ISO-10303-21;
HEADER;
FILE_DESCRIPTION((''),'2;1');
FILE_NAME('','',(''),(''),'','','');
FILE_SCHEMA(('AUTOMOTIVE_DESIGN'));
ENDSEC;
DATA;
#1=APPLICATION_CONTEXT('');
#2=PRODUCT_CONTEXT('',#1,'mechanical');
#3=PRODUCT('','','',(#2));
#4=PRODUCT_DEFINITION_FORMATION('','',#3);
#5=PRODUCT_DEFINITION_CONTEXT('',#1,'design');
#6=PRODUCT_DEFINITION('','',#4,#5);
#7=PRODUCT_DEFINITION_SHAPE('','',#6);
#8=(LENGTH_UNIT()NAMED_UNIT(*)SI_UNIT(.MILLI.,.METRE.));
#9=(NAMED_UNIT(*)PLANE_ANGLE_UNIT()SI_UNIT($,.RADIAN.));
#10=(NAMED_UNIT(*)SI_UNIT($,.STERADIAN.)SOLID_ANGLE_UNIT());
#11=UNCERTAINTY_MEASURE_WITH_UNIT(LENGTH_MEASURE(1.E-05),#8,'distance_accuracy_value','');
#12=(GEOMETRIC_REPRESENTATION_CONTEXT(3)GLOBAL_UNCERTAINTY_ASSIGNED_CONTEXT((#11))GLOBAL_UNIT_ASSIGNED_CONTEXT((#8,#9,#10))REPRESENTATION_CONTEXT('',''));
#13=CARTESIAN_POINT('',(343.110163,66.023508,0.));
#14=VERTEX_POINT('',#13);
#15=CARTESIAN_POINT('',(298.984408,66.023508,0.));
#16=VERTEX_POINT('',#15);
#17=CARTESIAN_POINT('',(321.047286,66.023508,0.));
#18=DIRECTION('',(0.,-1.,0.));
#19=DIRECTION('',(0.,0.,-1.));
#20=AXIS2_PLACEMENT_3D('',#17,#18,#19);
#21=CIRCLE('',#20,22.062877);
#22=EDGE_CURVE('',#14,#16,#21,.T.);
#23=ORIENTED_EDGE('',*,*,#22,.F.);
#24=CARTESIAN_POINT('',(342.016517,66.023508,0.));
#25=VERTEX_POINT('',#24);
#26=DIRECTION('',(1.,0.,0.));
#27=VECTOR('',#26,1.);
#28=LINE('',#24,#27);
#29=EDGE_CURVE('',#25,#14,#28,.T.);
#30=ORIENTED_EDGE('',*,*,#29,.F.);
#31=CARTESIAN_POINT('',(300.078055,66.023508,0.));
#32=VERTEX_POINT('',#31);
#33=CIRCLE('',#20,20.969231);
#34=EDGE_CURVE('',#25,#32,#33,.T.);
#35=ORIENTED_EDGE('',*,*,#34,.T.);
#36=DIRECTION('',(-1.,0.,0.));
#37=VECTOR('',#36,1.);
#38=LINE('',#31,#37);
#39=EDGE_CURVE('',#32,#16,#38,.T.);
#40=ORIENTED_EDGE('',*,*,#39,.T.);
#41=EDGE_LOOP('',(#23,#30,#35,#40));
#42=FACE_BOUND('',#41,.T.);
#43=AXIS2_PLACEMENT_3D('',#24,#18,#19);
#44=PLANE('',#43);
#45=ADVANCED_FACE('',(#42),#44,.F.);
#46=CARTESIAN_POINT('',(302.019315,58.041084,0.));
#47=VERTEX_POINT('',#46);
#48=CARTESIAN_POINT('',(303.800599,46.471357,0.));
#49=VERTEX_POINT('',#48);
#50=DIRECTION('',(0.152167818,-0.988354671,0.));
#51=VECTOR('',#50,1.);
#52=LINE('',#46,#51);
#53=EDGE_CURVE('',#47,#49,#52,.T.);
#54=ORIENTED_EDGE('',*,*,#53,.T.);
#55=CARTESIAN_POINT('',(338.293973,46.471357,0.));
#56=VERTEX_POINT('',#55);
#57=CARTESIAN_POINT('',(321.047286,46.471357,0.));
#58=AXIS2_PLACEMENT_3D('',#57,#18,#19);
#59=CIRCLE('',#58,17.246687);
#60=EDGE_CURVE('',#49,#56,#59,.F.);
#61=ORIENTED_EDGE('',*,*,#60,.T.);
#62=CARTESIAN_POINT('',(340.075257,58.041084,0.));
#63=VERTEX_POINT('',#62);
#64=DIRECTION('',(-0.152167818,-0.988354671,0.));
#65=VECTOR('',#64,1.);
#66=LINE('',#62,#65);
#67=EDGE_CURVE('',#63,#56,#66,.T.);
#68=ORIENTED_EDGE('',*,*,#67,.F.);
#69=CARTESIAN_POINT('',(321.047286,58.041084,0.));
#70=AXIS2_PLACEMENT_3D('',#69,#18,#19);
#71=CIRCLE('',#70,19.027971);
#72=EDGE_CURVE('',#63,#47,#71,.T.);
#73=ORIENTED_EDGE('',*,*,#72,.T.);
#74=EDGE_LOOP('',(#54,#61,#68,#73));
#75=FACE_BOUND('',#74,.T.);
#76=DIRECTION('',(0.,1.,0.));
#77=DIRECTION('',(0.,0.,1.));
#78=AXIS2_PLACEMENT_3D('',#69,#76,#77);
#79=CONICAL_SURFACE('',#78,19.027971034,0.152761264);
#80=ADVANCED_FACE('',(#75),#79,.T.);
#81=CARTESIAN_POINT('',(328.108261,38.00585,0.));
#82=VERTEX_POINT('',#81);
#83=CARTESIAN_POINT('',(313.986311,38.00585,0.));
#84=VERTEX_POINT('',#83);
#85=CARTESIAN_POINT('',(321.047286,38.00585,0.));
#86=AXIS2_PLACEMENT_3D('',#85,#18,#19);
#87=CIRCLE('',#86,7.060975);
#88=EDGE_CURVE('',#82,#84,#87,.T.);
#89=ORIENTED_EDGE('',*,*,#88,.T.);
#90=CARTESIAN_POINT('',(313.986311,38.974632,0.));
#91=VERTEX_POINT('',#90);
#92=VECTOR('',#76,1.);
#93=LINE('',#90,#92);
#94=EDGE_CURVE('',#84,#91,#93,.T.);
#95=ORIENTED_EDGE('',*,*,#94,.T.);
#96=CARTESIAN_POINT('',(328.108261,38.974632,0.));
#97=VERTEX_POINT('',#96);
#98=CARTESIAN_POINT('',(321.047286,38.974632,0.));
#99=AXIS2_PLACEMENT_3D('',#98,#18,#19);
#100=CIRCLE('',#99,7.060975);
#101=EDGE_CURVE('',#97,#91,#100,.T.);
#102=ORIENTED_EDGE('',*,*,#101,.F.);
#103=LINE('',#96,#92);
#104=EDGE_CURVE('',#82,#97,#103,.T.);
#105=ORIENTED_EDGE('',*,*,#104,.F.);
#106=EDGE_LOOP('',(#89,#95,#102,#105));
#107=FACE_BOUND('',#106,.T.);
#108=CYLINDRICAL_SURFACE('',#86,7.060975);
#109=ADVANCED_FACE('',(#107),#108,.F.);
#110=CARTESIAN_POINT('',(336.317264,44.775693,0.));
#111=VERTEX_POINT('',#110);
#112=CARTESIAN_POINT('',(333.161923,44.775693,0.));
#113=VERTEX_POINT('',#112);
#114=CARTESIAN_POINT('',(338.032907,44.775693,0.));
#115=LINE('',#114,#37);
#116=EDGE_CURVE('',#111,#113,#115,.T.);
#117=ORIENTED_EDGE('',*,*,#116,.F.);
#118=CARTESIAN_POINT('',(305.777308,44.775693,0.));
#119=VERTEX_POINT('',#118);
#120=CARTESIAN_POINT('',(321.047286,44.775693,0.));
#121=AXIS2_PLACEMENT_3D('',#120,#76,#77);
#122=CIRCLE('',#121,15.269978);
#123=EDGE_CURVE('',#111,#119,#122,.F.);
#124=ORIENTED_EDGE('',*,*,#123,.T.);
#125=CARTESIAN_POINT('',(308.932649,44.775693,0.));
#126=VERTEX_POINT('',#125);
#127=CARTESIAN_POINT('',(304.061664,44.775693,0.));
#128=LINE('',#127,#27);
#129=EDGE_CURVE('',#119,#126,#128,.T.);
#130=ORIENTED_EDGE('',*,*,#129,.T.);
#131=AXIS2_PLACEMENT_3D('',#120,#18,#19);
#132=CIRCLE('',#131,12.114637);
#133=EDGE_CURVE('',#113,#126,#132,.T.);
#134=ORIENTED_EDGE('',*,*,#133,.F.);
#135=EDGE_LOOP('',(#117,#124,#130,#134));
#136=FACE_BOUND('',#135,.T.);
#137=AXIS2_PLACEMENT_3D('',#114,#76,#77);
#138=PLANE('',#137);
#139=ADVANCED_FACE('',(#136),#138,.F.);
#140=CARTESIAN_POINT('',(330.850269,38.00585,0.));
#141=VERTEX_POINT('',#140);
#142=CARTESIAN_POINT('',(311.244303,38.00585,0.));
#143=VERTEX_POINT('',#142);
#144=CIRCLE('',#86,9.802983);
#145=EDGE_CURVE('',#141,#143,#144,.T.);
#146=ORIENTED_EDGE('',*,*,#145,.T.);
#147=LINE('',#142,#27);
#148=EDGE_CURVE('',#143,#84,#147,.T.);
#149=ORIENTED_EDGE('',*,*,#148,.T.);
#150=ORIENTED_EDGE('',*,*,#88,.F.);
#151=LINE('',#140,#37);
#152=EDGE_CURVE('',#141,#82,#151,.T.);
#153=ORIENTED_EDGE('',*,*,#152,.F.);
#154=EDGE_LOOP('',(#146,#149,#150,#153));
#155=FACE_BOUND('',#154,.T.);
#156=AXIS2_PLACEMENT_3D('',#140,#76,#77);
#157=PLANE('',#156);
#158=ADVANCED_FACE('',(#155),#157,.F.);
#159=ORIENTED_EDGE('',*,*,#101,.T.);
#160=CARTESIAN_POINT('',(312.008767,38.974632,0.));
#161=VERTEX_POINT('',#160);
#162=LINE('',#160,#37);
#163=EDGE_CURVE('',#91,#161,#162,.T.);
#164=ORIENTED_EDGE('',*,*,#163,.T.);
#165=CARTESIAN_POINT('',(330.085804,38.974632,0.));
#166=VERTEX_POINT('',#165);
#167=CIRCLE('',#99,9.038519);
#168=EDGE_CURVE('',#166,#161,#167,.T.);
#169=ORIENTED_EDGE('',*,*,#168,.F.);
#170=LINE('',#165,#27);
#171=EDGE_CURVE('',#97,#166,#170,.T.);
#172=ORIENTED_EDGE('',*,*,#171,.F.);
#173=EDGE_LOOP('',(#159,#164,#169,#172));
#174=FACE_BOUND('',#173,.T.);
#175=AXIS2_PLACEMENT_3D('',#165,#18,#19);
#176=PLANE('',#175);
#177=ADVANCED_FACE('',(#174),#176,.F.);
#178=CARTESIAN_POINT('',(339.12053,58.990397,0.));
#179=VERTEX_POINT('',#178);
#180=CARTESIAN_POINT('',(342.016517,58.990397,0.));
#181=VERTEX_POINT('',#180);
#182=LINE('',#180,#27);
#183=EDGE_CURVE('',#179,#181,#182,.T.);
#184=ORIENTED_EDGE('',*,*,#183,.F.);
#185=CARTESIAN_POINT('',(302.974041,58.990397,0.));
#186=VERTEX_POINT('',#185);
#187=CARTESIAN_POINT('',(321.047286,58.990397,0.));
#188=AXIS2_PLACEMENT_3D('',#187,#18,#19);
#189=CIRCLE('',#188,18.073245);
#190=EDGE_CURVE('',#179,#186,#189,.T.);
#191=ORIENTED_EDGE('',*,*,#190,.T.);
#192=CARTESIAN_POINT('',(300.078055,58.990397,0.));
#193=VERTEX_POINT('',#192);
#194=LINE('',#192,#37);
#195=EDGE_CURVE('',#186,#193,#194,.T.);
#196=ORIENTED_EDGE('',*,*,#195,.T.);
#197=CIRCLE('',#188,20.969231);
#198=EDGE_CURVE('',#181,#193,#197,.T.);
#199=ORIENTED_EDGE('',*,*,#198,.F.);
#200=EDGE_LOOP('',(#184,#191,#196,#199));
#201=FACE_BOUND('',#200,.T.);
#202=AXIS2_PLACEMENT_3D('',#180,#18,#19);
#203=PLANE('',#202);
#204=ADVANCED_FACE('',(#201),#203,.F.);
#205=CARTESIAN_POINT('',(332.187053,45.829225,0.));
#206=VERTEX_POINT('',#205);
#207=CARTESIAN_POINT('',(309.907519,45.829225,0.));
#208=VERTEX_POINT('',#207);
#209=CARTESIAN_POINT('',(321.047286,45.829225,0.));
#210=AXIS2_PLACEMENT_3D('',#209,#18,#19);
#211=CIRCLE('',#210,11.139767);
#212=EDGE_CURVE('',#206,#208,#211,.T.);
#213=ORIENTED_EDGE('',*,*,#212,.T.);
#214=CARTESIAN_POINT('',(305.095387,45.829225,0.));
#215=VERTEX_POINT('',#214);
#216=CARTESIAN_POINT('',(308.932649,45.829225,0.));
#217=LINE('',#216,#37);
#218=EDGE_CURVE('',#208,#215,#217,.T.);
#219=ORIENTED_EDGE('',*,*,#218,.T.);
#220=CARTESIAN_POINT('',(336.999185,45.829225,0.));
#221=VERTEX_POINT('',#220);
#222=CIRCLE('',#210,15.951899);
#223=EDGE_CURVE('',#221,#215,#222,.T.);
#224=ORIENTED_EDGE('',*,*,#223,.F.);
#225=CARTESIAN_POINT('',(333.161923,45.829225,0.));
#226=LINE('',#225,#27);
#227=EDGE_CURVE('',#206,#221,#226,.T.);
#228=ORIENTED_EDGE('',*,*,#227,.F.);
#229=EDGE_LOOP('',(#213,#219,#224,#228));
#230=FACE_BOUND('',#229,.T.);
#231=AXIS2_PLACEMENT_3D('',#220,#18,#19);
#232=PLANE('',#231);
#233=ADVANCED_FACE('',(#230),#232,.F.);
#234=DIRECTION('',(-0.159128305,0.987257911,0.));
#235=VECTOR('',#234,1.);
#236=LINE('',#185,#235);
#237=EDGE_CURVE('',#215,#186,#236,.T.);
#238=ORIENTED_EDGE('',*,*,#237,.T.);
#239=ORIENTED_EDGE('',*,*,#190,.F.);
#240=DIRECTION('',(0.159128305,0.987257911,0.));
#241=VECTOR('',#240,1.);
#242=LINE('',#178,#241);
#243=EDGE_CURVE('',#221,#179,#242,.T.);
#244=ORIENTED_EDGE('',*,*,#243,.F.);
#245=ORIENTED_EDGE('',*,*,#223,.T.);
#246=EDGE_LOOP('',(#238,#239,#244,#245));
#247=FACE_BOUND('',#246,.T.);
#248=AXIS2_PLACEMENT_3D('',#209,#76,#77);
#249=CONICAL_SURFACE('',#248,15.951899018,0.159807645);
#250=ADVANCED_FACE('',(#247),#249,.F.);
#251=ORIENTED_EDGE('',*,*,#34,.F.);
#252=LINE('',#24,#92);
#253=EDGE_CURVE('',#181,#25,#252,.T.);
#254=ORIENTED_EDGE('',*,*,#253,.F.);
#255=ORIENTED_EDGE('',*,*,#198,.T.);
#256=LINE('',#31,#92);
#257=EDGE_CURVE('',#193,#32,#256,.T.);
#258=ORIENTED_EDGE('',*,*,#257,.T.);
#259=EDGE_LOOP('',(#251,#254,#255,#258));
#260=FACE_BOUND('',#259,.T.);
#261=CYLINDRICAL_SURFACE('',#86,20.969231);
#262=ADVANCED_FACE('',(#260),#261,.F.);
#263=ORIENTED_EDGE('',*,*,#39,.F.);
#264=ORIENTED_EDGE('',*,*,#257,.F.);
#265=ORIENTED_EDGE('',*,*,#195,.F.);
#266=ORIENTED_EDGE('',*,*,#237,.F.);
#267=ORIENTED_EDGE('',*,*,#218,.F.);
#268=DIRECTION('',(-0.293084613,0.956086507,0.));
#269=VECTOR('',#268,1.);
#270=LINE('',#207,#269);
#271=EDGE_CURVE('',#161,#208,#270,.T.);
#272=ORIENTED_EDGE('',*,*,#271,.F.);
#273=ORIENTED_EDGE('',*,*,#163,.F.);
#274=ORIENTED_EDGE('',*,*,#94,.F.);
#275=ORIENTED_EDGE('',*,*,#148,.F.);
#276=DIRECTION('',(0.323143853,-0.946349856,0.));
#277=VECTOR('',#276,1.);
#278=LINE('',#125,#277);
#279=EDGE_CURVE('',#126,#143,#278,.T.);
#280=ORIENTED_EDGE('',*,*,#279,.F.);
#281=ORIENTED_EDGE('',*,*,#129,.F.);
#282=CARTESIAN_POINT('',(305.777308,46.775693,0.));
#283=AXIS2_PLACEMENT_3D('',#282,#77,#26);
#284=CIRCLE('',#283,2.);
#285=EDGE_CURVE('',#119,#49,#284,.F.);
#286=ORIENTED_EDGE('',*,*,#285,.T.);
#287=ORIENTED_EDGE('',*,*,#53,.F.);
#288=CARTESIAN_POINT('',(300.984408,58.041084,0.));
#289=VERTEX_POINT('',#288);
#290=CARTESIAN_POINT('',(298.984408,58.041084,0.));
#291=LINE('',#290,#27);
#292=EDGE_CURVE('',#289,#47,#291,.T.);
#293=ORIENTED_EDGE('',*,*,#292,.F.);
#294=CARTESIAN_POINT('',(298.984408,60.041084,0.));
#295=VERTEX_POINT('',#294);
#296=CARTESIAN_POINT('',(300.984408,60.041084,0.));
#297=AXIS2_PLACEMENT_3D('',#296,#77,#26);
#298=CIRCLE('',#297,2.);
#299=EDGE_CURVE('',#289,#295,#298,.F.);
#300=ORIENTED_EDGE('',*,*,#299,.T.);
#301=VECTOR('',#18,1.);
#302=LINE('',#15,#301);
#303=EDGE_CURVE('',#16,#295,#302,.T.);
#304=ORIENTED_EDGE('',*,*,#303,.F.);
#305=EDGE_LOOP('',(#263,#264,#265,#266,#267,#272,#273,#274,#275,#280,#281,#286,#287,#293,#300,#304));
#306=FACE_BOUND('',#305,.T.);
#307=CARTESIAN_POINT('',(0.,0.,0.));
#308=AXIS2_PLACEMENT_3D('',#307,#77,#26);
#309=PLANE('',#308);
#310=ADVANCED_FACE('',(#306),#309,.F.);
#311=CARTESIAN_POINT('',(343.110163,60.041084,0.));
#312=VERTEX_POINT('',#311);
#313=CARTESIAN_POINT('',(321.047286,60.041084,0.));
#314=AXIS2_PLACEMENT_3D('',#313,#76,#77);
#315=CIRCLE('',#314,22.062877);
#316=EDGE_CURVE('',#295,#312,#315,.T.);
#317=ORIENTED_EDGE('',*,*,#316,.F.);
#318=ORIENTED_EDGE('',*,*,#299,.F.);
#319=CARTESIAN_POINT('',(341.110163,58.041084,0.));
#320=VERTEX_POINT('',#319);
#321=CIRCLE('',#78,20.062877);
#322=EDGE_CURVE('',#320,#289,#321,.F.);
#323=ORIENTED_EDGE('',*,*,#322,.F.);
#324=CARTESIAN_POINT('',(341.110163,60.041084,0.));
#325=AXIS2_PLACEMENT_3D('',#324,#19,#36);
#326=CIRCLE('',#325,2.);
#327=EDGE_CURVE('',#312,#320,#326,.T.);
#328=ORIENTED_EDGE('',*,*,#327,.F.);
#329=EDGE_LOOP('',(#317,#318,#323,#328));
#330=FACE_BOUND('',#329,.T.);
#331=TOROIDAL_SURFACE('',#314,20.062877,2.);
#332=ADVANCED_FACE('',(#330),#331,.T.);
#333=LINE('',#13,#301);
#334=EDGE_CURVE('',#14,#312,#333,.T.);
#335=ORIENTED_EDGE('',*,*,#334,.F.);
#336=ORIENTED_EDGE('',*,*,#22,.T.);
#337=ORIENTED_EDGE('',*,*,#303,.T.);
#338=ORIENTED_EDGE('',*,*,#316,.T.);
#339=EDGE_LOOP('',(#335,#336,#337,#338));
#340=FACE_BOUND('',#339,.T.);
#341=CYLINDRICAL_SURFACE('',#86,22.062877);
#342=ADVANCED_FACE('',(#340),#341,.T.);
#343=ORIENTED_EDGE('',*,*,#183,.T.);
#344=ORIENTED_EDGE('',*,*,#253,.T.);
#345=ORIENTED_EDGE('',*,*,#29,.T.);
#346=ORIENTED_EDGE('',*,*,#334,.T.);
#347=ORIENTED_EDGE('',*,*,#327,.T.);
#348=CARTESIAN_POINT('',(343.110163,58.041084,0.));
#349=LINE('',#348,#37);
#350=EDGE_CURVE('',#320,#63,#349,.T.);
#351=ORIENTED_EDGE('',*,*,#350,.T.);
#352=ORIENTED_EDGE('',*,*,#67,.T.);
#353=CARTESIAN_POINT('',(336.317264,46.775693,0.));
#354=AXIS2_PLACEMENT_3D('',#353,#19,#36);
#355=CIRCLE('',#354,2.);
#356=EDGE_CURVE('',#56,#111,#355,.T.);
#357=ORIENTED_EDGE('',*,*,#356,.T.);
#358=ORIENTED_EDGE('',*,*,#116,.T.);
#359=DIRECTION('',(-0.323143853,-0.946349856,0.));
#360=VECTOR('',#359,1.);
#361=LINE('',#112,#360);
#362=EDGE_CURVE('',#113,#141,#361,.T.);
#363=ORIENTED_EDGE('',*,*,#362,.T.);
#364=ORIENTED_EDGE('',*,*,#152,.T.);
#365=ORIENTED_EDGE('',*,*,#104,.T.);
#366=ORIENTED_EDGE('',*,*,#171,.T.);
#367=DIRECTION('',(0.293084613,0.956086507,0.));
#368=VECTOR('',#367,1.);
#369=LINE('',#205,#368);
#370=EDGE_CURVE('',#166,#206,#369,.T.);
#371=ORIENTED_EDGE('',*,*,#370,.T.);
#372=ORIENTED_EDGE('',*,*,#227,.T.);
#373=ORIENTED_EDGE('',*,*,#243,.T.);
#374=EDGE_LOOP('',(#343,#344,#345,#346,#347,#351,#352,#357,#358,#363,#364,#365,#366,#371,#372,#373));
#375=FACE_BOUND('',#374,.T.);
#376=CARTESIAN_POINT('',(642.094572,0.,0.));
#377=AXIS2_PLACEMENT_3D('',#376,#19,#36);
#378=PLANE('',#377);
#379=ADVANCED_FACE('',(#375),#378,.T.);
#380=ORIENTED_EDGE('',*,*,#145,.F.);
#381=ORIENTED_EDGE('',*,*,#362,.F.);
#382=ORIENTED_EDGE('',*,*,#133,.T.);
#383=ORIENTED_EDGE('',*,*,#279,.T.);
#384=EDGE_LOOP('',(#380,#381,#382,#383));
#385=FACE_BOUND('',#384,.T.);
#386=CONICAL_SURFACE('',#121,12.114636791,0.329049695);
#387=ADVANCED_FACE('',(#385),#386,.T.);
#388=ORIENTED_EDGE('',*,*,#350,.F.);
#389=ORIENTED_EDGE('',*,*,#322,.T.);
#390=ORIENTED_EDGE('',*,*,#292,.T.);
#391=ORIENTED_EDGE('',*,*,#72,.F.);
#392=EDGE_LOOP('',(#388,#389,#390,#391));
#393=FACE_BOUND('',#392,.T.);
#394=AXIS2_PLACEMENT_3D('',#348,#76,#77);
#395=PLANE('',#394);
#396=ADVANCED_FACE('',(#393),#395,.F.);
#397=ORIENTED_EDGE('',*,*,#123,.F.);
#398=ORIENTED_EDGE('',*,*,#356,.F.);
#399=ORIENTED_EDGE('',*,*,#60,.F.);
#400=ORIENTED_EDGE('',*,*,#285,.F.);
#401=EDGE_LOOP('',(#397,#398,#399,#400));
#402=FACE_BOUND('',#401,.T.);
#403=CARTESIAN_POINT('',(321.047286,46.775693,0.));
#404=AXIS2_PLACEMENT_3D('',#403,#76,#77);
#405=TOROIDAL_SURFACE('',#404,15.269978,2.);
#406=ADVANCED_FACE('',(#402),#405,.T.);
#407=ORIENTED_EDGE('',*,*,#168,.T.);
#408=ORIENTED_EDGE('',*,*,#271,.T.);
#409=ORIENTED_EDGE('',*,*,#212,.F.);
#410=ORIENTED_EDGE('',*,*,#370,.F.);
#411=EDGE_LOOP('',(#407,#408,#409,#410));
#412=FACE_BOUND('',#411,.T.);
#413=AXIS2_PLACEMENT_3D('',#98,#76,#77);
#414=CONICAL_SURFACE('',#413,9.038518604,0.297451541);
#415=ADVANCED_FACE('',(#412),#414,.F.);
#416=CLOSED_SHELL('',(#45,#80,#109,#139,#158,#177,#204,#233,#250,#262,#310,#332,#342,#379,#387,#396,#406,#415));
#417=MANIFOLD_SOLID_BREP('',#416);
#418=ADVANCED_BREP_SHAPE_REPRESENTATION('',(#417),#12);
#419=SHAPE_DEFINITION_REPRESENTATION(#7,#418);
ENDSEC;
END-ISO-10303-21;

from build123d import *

# Parameters (mm, degrees)
REVOLVE2_ANGLE = 180
FILLET1_R      = 2
FILLET2_R      = 2


with BuildPart() as part:
    # Sketch1 → Revolve2 (revolve)
    with BuildSketch(Plane.XY):
        Polygon((298.984408478, 58.041083961), (302.019314835, 58.041083961), (304.061664281, 44.775692844), (308.932649078, 44.775692844), (311.24430288, 38.005849568), (313.986310635, 38.005849568), (313.986310635, 38.974632238), (312.008767265, 38.974632238), (309.907518568, 45.829224513), (308.932649078, 45.829224513), (305.095386851, 45.829224513), (302.974041332, 58.990397452), (300.078054647, 58.990397452), (300.078054647, 66.023507974), (298.984408478, 66.023507974), align=None)
    revolve(axis=Axis((321.047285869, 38.005849568, 0), (0, 1, 0)), revolution_arc=REVOLVE2_ANGLE)

    # Fillet1
    fillet1_edges = [part.edges().sort_by_distance(p)[0] for p in [
        (321.047285869, 58.041083961, 22.062877391),
    ]]
    fillet(fillet1_edges, radius=FILLET1_R)

    # Fillet2
    fillet2_edges = [part.edges().sort_by_distance(p)[0] for p in [
        (321.047285869, 44.775692844, 16.985621588),
    ]]
    fillet(fillet2_edges, radius=FILLET2_R)


solid = part.part
